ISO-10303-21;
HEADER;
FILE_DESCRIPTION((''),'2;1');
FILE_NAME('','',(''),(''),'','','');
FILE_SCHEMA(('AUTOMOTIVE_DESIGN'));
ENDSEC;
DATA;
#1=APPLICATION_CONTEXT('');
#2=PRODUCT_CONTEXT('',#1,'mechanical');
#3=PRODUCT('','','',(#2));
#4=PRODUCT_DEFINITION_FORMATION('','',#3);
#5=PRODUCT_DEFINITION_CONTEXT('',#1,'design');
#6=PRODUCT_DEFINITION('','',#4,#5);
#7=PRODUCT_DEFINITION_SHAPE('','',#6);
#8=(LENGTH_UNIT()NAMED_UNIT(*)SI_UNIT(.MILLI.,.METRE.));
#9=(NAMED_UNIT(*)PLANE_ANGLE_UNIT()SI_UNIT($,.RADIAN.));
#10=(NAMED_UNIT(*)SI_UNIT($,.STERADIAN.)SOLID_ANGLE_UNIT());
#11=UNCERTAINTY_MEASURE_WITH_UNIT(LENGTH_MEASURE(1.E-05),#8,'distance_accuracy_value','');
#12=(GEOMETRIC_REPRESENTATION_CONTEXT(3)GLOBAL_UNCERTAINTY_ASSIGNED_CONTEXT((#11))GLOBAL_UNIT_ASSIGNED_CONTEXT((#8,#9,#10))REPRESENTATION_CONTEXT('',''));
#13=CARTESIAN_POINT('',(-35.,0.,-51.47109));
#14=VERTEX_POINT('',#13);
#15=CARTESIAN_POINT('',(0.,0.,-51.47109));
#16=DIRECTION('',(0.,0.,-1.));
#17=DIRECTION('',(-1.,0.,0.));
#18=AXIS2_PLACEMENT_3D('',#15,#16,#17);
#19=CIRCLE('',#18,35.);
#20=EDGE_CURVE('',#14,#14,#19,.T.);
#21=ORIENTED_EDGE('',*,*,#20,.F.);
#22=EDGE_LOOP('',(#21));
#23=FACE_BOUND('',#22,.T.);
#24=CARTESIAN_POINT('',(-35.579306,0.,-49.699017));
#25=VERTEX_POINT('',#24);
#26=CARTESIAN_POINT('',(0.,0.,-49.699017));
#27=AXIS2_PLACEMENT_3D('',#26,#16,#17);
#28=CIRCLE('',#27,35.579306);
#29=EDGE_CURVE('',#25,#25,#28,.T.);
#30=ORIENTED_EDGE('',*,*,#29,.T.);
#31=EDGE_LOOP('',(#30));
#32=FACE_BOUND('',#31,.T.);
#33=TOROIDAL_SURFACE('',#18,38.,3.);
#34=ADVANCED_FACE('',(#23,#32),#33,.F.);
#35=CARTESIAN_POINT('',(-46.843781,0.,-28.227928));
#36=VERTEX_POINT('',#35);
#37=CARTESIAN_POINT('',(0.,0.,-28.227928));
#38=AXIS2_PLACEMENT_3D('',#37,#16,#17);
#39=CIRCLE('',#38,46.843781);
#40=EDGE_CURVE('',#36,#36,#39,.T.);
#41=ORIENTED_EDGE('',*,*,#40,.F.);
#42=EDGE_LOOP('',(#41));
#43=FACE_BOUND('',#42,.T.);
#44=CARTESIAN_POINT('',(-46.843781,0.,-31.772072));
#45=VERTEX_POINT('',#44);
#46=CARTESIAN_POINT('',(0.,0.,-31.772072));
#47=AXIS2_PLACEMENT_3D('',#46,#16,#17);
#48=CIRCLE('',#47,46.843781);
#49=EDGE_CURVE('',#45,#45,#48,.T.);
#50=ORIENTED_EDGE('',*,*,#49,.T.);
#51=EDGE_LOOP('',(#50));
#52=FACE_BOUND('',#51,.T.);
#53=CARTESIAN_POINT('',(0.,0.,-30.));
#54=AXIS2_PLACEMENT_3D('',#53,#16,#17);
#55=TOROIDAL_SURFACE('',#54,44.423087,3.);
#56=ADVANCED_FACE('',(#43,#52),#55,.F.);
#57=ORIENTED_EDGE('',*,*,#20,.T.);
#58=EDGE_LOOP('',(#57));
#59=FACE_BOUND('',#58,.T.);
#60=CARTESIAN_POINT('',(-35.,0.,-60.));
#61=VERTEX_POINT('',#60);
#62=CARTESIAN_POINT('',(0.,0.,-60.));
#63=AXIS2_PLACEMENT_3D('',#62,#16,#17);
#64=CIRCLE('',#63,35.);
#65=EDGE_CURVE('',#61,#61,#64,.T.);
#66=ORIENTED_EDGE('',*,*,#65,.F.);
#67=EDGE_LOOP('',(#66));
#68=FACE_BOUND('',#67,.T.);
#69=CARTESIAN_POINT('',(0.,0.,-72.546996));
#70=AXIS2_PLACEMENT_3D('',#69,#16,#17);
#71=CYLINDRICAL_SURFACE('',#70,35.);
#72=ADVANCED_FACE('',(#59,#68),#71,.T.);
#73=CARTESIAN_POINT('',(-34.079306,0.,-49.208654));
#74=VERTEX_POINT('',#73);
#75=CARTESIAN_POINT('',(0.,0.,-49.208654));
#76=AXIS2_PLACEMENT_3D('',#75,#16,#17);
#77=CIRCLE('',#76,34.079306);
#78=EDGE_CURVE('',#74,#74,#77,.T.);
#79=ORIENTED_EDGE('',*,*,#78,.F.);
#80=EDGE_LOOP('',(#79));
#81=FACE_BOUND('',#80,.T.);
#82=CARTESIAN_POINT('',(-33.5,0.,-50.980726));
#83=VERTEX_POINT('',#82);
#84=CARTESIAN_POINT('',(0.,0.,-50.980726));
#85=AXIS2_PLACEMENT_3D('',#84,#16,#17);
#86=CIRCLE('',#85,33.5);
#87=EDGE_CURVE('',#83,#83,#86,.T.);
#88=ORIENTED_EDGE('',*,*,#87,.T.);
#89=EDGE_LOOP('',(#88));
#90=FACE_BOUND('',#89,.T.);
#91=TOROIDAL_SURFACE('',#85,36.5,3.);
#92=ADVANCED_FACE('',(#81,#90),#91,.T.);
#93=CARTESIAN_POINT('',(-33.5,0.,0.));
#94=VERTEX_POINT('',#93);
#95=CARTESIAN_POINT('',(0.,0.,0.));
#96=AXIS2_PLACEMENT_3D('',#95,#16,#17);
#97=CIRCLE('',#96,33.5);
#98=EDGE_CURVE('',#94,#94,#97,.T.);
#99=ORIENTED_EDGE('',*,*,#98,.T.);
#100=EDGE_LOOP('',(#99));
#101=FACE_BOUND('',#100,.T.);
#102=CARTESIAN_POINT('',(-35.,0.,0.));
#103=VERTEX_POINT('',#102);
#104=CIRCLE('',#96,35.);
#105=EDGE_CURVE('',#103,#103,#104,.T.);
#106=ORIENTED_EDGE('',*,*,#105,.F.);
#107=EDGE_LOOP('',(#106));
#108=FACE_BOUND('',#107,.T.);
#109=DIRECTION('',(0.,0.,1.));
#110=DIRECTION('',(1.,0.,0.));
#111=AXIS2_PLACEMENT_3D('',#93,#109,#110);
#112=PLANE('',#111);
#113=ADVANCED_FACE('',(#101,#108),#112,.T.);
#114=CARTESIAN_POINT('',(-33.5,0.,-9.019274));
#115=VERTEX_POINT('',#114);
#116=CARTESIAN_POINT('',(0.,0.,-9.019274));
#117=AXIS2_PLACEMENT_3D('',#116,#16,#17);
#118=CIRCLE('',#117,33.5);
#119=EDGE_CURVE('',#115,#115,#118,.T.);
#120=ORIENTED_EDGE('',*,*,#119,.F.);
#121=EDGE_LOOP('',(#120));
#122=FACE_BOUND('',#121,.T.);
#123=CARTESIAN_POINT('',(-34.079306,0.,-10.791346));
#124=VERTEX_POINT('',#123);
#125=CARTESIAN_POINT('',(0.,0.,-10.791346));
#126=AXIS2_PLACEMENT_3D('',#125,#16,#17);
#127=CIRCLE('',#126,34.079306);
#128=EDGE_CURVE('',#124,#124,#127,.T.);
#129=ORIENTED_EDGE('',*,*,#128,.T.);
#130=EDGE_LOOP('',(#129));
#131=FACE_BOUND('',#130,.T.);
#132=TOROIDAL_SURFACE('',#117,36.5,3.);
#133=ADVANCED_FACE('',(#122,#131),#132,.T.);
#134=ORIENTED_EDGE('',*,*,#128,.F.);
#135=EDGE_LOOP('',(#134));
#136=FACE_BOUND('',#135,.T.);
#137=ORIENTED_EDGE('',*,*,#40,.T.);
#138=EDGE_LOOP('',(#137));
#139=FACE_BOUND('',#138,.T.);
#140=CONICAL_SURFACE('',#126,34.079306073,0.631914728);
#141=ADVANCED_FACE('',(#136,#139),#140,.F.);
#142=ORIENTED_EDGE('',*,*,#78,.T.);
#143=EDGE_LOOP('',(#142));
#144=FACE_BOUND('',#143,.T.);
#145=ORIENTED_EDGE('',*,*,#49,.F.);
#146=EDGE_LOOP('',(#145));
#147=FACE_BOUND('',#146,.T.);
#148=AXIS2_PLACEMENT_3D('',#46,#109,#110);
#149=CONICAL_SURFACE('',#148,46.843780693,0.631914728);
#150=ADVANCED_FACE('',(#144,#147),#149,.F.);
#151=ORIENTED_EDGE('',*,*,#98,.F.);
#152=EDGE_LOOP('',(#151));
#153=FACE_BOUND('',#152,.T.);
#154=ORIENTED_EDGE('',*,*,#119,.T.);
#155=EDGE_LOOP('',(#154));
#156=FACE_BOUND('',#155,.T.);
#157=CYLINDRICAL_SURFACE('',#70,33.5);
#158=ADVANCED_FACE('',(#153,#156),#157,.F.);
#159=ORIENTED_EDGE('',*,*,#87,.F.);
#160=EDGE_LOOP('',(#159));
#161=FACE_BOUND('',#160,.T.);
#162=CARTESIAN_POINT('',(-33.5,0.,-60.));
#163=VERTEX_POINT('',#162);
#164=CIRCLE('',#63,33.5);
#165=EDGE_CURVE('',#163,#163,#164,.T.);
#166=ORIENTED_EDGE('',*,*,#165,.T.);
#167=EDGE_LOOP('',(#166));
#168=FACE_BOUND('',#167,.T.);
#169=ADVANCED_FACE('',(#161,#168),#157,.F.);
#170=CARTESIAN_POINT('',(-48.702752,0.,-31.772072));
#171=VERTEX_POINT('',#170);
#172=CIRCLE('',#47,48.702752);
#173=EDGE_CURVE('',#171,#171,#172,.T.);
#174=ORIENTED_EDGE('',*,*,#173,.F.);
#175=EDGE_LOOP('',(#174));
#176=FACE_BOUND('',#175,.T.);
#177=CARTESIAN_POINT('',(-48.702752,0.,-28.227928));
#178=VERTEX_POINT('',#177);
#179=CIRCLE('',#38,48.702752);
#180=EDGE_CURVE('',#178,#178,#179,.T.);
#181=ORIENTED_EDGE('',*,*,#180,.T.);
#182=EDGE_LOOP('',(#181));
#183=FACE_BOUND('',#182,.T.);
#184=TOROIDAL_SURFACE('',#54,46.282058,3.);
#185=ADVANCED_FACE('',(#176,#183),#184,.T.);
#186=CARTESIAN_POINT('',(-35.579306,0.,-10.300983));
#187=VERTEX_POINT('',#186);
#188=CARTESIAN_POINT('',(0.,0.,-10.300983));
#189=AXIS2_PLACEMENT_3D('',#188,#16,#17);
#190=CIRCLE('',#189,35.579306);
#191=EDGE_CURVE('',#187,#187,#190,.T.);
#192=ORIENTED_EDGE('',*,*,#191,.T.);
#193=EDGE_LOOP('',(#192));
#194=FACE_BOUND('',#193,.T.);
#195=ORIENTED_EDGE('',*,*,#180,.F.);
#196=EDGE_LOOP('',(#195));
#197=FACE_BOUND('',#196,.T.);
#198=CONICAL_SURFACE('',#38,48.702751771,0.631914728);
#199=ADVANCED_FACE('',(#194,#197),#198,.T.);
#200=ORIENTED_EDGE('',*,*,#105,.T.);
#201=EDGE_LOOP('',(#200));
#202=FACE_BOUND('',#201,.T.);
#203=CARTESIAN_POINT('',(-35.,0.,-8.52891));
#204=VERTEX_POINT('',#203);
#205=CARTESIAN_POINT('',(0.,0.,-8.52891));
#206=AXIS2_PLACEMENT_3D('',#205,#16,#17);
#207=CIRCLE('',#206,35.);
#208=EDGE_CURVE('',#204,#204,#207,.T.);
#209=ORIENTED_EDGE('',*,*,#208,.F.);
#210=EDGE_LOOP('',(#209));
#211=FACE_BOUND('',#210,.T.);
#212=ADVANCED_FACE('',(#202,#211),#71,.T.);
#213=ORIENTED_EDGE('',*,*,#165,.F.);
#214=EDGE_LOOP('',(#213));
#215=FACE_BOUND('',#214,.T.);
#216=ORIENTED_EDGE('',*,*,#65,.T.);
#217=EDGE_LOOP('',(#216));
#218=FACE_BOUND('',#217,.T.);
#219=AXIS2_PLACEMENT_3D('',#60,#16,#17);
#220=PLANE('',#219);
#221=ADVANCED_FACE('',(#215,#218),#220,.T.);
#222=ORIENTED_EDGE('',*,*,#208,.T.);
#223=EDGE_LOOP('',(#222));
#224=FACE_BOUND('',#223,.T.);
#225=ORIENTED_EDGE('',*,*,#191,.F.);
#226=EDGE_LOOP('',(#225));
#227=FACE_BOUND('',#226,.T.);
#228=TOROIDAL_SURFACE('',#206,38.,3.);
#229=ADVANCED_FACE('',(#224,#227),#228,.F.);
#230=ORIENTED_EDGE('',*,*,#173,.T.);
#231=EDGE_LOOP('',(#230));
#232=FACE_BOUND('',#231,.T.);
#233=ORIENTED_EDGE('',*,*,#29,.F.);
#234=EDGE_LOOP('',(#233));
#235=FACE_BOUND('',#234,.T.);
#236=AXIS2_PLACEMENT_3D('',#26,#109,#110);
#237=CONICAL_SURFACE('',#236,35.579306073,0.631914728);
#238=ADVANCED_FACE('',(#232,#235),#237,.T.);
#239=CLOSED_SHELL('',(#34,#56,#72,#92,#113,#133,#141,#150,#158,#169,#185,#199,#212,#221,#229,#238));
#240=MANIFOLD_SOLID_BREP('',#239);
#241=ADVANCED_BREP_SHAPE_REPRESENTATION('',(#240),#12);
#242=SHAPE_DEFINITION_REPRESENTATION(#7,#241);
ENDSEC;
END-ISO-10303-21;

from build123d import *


with BuildPart() as part:
    # Sketch1 → Revolve1 (revolve)
    with BuildSketch(Plane(origin=(0, 0, 0), x_dir=(1, 0, 0), z_dir=(0, 1, 0))):
        with BuildLine():
            Line((-35, 0), (-35, 8.528910447))
            ThreePointArc((-35, 8.528910447), (-35.148501992, 9.461090209), (-35.579306073, 10.300982937))
            Line((-35.579306073, 10.300982937), (-48.702751771, 28.22792751))
            ThreePointArc((-48.702751771, 28.22792751), (-49.282057844, 30), (-48.702751771, 31.77207249))
            Line((-48.702751771, 31.77207249), (-35.579306073, 49.699017063))
            ThreePointArc((-35.579306073, 49.699017063), (-35.148501992, 50.538909791), (-35, 51.471089553))
            Line((-35, 51.471089553), (-35, 60))
            Line((-35, 60), (-33.5, 60))
            Line((-33.5, 60), (-33.5, 50.980726369))
            ThreePointArc((-33.5, 50.980726369), (-33.648501992, 50.048546606), (-34.079306073, 49.208653878))
            Line((-34.079306073, 49.208653878), (-46.843780693, 31.77207249))
            ThreePointArc((-46.843780693, 31.77207249), (-47.423086766, 30), (-46.843780693, 28.22792751))
            Line((-46.843780693, 28.22792751), (-34.079306073, 10.791346122))
            ThreePointArc((-34.079306073, 10.791346122), (-33.648501992, 9.951453394), (-33.5, 9.019273631))
            Line((-33.5, 9.019273631), (-33.5, 0))
            Line((-33.5, 0), (-35, 0))
        make_face()
    revolve(axis=Axis((0, 0, -72.546995865), (0, 0, 1)))


solid = part.part
